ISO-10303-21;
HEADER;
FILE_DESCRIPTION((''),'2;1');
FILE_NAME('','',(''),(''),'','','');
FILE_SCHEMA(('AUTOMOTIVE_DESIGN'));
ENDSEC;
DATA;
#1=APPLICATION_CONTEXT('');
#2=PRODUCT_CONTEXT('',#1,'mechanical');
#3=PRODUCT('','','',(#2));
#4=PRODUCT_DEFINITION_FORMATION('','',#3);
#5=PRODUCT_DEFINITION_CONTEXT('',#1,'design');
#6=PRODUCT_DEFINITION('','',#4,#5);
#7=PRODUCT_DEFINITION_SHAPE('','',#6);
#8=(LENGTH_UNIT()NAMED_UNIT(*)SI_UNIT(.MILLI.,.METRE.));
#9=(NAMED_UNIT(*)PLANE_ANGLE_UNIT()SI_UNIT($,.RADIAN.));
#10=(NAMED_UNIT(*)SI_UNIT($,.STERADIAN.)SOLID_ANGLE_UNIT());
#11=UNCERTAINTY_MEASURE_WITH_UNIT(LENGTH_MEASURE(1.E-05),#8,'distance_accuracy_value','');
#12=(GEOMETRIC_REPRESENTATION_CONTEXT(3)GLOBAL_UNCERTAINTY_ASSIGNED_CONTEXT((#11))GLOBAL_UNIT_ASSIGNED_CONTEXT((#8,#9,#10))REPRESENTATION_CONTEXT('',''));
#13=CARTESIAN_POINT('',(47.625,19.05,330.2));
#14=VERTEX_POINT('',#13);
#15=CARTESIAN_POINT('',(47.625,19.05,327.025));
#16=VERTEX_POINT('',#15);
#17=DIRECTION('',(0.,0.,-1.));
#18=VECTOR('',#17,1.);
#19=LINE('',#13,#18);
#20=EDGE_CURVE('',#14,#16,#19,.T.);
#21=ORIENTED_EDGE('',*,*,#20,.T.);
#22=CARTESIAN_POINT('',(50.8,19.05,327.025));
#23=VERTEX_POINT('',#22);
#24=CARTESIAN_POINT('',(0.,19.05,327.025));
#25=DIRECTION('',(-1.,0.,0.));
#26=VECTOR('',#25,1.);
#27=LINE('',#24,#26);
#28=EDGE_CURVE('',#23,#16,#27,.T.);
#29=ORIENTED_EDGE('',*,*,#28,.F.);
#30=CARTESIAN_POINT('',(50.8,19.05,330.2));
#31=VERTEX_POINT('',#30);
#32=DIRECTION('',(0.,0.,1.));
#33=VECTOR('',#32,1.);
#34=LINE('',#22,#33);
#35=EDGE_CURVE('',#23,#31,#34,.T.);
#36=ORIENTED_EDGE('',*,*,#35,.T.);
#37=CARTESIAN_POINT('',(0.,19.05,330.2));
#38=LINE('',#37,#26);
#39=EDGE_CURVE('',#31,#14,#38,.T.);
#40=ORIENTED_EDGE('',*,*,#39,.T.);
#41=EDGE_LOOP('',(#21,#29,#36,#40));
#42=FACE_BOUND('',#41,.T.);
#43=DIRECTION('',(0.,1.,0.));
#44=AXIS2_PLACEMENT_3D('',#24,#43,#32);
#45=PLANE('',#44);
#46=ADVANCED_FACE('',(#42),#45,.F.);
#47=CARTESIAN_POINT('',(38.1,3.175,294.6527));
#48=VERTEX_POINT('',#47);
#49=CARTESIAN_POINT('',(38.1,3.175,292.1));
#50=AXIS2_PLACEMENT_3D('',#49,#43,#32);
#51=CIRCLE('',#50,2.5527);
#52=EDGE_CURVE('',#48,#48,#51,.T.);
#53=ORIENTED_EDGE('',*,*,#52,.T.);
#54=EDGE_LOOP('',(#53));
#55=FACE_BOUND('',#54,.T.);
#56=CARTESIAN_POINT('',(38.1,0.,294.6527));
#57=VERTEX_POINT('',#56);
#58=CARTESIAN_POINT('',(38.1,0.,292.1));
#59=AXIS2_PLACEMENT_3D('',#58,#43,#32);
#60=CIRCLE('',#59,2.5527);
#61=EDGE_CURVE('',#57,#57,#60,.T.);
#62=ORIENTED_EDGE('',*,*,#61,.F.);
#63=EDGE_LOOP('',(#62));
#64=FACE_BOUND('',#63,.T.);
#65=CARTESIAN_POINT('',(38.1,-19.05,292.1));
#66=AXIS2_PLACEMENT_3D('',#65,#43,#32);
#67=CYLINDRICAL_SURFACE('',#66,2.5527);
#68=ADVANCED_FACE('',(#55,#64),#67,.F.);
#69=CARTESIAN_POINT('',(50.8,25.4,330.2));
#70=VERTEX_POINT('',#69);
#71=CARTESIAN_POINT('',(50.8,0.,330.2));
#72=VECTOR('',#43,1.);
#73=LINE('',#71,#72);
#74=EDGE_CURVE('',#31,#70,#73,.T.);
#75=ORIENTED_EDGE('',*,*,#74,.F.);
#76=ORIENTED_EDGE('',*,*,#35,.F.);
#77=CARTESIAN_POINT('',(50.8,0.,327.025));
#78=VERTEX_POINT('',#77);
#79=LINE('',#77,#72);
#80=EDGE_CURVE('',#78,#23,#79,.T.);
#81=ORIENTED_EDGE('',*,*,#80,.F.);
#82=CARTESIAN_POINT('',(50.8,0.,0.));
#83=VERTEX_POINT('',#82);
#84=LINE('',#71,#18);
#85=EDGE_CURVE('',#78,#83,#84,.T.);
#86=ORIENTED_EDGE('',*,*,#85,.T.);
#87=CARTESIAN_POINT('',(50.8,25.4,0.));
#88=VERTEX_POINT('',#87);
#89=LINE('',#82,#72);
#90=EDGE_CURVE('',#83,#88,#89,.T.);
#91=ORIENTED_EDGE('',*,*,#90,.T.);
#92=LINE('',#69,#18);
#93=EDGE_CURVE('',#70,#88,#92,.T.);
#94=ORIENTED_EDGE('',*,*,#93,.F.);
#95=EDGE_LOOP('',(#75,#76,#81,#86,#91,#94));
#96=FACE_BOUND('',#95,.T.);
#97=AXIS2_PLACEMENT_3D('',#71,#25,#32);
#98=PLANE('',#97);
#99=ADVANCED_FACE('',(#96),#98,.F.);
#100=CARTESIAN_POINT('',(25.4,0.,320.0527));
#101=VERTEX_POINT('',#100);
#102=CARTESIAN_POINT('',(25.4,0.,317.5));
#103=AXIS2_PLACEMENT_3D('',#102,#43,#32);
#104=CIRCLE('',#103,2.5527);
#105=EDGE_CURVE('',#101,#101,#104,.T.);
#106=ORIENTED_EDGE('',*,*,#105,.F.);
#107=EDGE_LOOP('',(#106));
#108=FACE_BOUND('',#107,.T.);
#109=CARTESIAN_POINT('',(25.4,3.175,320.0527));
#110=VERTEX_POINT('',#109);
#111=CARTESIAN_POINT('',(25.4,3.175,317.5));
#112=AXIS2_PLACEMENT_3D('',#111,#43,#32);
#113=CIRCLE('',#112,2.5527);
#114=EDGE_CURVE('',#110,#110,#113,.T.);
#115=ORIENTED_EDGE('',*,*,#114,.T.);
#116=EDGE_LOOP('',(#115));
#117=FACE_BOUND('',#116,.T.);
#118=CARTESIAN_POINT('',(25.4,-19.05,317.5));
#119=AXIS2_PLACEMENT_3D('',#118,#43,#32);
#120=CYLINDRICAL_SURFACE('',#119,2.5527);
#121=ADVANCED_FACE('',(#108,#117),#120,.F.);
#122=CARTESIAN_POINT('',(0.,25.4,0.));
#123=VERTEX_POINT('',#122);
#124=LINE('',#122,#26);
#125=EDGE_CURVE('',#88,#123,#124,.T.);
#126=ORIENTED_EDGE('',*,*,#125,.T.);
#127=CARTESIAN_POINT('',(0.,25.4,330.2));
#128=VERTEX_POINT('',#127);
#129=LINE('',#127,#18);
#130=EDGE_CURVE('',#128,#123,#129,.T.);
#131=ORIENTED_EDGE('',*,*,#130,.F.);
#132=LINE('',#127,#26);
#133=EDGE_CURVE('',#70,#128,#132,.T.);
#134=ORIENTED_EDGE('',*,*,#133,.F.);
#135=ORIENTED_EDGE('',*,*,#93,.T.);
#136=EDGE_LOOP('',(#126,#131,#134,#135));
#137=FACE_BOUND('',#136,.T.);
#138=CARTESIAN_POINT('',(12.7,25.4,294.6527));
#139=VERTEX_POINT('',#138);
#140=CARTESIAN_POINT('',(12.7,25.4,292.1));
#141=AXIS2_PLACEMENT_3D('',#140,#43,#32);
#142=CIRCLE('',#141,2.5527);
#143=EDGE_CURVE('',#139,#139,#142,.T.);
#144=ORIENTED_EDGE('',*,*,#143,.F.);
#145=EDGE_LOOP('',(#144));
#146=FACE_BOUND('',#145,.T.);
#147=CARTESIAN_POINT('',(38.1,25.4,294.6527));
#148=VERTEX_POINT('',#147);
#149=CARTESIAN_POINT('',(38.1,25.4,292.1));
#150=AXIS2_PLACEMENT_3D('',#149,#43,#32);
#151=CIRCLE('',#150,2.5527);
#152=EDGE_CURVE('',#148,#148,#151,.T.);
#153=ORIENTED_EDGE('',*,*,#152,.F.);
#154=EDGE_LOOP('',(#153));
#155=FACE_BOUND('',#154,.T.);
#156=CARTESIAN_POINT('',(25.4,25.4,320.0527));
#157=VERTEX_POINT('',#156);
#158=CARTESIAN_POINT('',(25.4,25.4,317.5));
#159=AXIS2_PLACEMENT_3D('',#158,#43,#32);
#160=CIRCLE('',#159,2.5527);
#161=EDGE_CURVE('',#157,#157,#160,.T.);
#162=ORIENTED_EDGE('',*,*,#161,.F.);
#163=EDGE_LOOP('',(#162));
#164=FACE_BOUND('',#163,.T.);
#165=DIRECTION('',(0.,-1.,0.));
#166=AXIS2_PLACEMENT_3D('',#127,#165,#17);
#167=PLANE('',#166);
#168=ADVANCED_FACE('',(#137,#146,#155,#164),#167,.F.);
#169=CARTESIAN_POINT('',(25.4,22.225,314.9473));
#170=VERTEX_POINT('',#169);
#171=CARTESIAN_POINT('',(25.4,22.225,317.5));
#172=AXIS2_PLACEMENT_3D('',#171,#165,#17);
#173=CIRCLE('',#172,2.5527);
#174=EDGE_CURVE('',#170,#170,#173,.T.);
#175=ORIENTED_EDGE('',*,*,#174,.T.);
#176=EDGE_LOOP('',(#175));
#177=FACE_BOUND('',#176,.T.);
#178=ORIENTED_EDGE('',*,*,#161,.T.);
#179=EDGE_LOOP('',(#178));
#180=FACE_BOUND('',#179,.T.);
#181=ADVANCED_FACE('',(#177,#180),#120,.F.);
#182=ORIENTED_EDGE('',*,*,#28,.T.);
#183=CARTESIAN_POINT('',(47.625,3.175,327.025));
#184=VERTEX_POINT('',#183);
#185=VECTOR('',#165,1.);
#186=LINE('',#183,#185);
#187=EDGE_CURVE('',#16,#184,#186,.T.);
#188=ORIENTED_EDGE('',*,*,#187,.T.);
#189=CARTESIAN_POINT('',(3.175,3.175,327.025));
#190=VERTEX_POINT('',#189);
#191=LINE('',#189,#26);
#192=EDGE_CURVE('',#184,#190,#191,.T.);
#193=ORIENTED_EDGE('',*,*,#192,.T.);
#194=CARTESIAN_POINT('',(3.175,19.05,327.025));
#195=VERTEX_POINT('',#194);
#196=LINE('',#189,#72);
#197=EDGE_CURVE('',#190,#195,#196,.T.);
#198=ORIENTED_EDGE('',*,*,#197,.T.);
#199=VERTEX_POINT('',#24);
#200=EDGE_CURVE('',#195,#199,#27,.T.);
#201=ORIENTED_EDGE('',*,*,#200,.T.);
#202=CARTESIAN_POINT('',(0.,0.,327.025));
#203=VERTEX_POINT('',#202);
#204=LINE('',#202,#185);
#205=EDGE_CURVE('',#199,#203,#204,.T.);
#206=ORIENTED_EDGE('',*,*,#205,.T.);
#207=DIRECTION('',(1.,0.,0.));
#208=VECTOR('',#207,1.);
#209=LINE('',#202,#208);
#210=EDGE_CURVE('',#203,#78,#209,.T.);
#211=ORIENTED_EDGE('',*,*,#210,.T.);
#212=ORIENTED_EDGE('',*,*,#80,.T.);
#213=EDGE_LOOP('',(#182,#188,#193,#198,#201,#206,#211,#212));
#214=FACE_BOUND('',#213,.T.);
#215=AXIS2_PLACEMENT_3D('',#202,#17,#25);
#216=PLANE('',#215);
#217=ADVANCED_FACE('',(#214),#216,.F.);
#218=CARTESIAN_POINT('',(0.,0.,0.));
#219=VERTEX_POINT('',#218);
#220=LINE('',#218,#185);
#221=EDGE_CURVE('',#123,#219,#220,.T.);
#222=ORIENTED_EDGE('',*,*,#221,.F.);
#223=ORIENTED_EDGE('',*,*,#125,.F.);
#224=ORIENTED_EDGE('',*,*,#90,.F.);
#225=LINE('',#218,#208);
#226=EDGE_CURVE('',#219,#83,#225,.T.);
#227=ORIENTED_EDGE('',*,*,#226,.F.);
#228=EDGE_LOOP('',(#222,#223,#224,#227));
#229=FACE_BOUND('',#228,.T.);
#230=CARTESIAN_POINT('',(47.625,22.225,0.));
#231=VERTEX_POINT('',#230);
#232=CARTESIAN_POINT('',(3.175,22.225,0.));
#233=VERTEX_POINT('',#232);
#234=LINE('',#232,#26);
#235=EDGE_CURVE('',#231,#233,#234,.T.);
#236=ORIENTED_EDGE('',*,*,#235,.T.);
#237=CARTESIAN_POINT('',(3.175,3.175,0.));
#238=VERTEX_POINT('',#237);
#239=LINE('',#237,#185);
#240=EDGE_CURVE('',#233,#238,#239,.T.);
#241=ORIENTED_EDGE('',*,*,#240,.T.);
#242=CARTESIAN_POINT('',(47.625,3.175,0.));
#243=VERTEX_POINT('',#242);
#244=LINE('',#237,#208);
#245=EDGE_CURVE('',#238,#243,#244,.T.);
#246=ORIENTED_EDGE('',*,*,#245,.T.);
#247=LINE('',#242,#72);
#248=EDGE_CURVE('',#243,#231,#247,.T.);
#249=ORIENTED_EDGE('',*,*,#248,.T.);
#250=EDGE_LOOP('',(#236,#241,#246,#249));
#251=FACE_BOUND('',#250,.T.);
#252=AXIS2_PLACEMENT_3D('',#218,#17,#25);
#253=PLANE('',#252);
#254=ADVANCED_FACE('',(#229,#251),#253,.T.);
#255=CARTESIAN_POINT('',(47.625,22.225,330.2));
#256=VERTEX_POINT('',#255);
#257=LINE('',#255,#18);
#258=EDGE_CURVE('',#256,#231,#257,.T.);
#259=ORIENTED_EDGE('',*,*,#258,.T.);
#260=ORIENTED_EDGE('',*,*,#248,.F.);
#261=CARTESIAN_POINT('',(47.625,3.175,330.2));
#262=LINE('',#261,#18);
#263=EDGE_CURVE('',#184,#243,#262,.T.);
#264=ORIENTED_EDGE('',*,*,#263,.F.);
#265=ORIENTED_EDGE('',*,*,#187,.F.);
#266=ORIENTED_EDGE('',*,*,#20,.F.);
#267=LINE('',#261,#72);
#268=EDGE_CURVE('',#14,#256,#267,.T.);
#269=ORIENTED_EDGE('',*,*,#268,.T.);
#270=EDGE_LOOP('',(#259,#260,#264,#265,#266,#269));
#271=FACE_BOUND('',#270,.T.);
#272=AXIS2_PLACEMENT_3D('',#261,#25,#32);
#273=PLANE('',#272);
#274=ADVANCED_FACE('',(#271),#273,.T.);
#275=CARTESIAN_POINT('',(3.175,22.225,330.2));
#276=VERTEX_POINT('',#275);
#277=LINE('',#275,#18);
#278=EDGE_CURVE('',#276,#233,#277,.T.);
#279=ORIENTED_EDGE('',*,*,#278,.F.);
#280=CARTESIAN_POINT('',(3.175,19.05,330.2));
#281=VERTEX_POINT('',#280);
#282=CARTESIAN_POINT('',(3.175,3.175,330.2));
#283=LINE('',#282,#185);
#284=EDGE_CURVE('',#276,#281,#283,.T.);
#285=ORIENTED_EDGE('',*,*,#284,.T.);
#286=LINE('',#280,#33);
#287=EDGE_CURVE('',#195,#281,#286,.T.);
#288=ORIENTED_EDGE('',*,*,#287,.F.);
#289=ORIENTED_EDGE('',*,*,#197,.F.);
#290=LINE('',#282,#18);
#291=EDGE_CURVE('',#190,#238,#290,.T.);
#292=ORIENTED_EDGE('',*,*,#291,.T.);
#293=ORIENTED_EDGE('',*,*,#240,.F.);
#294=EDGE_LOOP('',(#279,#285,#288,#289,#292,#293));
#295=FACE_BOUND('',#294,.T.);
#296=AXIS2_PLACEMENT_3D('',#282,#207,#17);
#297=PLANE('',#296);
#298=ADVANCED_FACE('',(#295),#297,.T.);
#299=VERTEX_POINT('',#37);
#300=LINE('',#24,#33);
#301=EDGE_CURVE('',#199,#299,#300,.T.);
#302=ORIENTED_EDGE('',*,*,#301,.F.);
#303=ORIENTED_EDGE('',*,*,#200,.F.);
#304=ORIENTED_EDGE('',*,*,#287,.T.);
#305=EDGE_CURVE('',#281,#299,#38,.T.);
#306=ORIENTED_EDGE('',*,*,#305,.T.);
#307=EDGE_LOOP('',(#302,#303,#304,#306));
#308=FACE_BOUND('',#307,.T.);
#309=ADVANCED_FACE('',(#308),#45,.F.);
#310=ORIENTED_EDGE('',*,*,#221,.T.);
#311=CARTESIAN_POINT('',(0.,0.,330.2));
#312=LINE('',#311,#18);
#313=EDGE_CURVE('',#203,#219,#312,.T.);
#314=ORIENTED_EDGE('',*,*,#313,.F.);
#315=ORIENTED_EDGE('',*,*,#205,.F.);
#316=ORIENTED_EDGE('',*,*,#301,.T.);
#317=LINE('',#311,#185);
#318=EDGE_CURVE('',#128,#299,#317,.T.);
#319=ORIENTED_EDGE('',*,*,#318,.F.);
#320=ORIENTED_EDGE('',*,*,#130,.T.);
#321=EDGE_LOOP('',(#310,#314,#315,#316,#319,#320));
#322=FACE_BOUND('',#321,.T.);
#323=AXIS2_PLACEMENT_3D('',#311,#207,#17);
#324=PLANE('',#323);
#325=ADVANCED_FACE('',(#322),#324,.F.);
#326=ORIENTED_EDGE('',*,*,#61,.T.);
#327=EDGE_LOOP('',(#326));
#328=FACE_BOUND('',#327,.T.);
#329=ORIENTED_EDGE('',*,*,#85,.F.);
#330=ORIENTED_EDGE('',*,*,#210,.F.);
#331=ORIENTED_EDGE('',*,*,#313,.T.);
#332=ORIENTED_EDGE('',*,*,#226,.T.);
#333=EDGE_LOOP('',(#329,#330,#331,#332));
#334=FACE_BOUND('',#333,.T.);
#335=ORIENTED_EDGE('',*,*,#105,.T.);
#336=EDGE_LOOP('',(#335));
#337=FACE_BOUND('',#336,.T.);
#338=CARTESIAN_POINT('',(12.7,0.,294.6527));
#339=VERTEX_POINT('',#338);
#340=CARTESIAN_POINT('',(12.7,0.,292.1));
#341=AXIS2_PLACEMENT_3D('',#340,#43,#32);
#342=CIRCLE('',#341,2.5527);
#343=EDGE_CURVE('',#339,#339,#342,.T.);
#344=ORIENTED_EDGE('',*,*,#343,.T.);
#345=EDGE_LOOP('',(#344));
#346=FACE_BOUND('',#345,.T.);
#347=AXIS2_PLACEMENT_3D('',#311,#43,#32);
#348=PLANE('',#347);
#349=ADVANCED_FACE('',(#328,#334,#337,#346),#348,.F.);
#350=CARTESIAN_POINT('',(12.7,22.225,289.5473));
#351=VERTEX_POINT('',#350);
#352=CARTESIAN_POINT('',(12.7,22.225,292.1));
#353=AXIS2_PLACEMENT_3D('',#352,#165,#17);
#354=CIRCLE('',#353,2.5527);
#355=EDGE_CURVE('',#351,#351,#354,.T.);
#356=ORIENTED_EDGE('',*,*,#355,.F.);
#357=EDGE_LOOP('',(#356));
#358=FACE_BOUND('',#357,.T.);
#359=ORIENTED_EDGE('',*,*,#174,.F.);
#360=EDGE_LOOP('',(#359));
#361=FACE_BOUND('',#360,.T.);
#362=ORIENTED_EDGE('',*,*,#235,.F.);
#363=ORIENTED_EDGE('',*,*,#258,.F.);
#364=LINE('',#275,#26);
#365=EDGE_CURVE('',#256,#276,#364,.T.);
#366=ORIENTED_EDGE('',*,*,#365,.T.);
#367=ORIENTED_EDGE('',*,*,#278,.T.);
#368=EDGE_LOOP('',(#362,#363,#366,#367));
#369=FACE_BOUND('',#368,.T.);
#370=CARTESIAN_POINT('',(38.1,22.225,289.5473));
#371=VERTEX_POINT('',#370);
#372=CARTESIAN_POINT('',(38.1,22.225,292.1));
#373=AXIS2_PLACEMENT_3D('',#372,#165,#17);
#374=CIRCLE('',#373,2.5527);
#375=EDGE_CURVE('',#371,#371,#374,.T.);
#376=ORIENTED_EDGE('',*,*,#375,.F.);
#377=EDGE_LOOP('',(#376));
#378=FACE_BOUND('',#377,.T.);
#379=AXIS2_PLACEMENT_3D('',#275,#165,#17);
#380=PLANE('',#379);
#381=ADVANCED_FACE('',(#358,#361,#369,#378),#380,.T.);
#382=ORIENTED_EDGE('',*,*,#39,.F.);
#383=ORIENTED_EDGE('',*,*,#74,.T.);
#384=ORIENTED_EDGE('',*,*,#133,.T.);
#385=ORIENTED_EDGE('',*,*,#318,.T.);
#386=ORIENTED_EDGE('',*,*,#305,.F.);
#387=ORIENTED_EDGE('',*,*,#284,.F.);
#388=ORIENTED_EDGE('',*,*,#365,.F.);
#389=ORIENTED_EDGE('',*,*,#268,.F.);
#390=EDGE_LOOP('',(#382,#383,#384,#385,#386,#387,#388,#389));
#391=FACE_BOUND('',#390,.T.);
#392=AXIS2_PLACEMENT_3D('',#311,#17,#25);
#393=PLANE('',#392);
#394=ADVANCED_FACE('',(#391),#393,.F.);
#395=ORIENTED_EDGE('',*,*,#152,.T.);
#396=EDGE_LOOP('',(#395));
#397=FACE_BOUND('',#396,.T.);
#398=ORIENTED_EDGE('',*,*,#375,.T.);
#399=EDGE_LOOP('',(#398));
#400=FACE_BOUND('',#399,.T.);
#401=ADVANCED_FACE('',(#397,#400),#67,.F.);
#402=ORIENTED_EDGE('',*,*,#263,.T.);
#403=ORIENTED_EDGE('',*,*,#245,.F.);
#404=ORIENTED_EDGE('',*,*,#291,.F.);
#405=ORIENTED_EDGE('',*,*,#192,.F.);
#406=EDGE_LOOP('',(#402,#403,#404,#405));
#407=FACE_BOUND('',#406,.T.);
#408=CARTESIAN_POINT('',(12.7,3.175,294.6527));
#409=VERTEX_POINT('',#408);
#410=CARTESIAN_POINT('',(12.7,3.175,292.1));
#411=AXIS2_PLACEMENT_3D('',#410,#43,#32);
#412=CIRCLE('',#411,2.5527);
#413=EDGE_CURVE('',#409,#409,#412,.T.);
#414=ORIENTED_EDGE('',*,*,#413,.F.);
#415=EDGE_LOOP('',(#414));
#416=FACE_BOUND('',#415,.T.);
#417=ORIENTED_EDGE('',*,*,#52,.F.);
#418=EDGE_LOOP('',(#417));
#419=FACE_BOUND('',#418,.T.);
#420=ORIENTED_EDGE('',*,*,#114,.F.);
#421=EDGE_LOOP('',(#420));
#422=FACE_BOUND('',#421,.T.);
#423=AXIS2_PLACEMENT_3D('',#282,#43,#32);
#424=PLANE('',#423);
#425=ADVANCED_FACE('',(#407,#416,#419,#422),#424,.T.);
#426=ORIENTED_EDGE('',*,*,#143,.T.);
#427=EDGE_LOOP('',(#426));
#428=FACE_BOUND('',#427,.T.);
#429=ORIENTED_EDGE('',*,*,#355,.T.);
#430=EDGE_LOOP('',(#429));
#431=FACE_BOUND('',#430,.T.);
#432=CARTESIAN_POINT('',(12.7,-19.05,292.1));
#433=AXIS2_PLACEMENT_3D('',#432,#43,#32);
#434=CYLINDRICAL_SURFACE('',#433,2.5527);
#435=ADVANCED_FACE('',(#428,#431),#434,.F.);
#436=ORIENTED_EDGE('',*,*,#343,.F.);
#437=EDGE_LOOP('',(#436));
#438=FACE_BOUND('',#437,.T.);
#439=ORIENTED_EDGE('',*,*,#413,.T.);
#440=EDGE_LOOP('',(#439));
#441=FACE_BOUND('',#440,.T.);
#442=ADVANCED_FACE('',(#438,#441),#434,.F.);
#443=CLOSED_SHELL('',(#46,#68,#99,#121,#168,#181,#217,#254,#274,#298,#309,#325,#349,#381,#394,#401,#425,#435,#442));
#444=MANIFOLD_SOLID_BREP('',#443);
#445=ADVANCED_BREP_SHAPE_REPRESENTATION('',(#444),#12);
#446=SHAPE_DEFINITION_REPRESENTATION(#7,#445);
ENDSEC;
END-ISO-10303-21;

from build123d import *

# Parameters (mm, degrees)
SKETCH1_W           = 50.8
SKETCH1_H           = 25.4
SKETCH1_W_2         = 44.45
SKETCH1_H_2         = 19.05
BOSS_EXTRUDE1_DEPTH = 330.2
SKETCH2_W           = 50.8
SKETCH2_H           = 19.05
CUT_EXTRUDE1_DEPTH  = 3.175
SKETCH3_R           = 2.5527
CUT_EXTRUDE2_DEPTH  = 44.45


with BuildPart() as part:
    # Sketch1 → Boss-Extrude1 (new body)
    with BuildSketch(Plane.XY):
        with Locations((25.4, 12.7)):
            Rectangle(SKETCH1_W, SKETCH1_H)
        with Locations((25.4, 12.7)):
            Rectangle(SKETCH1_W_2, SKETCH1_H_2, mode=Mode.SUBTRACT)
    extrude(amount=BOSS_EXTRUDE1_DEPTH)

    # Sketch2 → Cut-Extrude1 (cut)
    with BuildSketch(Plane.XY.offset(330.2)):
        with Locations((25.4, 9.525)):
            Rectangle(SKETCH2_W, SKETCH2_H)
    extrude(amount=-CUT_EXTRUDE1_DEPTH, mode=Mode.SUBTRACT)

    # Sketch3 → Cut-Extrude2 (cut)
    with BuildSketch(Plane(origin=(0, 25.4, 0), x_dir=(1, 0, 0), z_dir=(0, 1, 0))):
        with Locations((12.7, -292.1)):
            Circle(SKETCH3_R)
        with Locations((38.1, -292.1)):
            Circle(SKETCH3_R)
        with Locations((25.4, -317.5)):
            Circle(SKETCH3_R)
    extrude(amount=-CUT_EXTRUDE2_DEPTH, mode=Mode.SUBTRACT)


solid = part.part
